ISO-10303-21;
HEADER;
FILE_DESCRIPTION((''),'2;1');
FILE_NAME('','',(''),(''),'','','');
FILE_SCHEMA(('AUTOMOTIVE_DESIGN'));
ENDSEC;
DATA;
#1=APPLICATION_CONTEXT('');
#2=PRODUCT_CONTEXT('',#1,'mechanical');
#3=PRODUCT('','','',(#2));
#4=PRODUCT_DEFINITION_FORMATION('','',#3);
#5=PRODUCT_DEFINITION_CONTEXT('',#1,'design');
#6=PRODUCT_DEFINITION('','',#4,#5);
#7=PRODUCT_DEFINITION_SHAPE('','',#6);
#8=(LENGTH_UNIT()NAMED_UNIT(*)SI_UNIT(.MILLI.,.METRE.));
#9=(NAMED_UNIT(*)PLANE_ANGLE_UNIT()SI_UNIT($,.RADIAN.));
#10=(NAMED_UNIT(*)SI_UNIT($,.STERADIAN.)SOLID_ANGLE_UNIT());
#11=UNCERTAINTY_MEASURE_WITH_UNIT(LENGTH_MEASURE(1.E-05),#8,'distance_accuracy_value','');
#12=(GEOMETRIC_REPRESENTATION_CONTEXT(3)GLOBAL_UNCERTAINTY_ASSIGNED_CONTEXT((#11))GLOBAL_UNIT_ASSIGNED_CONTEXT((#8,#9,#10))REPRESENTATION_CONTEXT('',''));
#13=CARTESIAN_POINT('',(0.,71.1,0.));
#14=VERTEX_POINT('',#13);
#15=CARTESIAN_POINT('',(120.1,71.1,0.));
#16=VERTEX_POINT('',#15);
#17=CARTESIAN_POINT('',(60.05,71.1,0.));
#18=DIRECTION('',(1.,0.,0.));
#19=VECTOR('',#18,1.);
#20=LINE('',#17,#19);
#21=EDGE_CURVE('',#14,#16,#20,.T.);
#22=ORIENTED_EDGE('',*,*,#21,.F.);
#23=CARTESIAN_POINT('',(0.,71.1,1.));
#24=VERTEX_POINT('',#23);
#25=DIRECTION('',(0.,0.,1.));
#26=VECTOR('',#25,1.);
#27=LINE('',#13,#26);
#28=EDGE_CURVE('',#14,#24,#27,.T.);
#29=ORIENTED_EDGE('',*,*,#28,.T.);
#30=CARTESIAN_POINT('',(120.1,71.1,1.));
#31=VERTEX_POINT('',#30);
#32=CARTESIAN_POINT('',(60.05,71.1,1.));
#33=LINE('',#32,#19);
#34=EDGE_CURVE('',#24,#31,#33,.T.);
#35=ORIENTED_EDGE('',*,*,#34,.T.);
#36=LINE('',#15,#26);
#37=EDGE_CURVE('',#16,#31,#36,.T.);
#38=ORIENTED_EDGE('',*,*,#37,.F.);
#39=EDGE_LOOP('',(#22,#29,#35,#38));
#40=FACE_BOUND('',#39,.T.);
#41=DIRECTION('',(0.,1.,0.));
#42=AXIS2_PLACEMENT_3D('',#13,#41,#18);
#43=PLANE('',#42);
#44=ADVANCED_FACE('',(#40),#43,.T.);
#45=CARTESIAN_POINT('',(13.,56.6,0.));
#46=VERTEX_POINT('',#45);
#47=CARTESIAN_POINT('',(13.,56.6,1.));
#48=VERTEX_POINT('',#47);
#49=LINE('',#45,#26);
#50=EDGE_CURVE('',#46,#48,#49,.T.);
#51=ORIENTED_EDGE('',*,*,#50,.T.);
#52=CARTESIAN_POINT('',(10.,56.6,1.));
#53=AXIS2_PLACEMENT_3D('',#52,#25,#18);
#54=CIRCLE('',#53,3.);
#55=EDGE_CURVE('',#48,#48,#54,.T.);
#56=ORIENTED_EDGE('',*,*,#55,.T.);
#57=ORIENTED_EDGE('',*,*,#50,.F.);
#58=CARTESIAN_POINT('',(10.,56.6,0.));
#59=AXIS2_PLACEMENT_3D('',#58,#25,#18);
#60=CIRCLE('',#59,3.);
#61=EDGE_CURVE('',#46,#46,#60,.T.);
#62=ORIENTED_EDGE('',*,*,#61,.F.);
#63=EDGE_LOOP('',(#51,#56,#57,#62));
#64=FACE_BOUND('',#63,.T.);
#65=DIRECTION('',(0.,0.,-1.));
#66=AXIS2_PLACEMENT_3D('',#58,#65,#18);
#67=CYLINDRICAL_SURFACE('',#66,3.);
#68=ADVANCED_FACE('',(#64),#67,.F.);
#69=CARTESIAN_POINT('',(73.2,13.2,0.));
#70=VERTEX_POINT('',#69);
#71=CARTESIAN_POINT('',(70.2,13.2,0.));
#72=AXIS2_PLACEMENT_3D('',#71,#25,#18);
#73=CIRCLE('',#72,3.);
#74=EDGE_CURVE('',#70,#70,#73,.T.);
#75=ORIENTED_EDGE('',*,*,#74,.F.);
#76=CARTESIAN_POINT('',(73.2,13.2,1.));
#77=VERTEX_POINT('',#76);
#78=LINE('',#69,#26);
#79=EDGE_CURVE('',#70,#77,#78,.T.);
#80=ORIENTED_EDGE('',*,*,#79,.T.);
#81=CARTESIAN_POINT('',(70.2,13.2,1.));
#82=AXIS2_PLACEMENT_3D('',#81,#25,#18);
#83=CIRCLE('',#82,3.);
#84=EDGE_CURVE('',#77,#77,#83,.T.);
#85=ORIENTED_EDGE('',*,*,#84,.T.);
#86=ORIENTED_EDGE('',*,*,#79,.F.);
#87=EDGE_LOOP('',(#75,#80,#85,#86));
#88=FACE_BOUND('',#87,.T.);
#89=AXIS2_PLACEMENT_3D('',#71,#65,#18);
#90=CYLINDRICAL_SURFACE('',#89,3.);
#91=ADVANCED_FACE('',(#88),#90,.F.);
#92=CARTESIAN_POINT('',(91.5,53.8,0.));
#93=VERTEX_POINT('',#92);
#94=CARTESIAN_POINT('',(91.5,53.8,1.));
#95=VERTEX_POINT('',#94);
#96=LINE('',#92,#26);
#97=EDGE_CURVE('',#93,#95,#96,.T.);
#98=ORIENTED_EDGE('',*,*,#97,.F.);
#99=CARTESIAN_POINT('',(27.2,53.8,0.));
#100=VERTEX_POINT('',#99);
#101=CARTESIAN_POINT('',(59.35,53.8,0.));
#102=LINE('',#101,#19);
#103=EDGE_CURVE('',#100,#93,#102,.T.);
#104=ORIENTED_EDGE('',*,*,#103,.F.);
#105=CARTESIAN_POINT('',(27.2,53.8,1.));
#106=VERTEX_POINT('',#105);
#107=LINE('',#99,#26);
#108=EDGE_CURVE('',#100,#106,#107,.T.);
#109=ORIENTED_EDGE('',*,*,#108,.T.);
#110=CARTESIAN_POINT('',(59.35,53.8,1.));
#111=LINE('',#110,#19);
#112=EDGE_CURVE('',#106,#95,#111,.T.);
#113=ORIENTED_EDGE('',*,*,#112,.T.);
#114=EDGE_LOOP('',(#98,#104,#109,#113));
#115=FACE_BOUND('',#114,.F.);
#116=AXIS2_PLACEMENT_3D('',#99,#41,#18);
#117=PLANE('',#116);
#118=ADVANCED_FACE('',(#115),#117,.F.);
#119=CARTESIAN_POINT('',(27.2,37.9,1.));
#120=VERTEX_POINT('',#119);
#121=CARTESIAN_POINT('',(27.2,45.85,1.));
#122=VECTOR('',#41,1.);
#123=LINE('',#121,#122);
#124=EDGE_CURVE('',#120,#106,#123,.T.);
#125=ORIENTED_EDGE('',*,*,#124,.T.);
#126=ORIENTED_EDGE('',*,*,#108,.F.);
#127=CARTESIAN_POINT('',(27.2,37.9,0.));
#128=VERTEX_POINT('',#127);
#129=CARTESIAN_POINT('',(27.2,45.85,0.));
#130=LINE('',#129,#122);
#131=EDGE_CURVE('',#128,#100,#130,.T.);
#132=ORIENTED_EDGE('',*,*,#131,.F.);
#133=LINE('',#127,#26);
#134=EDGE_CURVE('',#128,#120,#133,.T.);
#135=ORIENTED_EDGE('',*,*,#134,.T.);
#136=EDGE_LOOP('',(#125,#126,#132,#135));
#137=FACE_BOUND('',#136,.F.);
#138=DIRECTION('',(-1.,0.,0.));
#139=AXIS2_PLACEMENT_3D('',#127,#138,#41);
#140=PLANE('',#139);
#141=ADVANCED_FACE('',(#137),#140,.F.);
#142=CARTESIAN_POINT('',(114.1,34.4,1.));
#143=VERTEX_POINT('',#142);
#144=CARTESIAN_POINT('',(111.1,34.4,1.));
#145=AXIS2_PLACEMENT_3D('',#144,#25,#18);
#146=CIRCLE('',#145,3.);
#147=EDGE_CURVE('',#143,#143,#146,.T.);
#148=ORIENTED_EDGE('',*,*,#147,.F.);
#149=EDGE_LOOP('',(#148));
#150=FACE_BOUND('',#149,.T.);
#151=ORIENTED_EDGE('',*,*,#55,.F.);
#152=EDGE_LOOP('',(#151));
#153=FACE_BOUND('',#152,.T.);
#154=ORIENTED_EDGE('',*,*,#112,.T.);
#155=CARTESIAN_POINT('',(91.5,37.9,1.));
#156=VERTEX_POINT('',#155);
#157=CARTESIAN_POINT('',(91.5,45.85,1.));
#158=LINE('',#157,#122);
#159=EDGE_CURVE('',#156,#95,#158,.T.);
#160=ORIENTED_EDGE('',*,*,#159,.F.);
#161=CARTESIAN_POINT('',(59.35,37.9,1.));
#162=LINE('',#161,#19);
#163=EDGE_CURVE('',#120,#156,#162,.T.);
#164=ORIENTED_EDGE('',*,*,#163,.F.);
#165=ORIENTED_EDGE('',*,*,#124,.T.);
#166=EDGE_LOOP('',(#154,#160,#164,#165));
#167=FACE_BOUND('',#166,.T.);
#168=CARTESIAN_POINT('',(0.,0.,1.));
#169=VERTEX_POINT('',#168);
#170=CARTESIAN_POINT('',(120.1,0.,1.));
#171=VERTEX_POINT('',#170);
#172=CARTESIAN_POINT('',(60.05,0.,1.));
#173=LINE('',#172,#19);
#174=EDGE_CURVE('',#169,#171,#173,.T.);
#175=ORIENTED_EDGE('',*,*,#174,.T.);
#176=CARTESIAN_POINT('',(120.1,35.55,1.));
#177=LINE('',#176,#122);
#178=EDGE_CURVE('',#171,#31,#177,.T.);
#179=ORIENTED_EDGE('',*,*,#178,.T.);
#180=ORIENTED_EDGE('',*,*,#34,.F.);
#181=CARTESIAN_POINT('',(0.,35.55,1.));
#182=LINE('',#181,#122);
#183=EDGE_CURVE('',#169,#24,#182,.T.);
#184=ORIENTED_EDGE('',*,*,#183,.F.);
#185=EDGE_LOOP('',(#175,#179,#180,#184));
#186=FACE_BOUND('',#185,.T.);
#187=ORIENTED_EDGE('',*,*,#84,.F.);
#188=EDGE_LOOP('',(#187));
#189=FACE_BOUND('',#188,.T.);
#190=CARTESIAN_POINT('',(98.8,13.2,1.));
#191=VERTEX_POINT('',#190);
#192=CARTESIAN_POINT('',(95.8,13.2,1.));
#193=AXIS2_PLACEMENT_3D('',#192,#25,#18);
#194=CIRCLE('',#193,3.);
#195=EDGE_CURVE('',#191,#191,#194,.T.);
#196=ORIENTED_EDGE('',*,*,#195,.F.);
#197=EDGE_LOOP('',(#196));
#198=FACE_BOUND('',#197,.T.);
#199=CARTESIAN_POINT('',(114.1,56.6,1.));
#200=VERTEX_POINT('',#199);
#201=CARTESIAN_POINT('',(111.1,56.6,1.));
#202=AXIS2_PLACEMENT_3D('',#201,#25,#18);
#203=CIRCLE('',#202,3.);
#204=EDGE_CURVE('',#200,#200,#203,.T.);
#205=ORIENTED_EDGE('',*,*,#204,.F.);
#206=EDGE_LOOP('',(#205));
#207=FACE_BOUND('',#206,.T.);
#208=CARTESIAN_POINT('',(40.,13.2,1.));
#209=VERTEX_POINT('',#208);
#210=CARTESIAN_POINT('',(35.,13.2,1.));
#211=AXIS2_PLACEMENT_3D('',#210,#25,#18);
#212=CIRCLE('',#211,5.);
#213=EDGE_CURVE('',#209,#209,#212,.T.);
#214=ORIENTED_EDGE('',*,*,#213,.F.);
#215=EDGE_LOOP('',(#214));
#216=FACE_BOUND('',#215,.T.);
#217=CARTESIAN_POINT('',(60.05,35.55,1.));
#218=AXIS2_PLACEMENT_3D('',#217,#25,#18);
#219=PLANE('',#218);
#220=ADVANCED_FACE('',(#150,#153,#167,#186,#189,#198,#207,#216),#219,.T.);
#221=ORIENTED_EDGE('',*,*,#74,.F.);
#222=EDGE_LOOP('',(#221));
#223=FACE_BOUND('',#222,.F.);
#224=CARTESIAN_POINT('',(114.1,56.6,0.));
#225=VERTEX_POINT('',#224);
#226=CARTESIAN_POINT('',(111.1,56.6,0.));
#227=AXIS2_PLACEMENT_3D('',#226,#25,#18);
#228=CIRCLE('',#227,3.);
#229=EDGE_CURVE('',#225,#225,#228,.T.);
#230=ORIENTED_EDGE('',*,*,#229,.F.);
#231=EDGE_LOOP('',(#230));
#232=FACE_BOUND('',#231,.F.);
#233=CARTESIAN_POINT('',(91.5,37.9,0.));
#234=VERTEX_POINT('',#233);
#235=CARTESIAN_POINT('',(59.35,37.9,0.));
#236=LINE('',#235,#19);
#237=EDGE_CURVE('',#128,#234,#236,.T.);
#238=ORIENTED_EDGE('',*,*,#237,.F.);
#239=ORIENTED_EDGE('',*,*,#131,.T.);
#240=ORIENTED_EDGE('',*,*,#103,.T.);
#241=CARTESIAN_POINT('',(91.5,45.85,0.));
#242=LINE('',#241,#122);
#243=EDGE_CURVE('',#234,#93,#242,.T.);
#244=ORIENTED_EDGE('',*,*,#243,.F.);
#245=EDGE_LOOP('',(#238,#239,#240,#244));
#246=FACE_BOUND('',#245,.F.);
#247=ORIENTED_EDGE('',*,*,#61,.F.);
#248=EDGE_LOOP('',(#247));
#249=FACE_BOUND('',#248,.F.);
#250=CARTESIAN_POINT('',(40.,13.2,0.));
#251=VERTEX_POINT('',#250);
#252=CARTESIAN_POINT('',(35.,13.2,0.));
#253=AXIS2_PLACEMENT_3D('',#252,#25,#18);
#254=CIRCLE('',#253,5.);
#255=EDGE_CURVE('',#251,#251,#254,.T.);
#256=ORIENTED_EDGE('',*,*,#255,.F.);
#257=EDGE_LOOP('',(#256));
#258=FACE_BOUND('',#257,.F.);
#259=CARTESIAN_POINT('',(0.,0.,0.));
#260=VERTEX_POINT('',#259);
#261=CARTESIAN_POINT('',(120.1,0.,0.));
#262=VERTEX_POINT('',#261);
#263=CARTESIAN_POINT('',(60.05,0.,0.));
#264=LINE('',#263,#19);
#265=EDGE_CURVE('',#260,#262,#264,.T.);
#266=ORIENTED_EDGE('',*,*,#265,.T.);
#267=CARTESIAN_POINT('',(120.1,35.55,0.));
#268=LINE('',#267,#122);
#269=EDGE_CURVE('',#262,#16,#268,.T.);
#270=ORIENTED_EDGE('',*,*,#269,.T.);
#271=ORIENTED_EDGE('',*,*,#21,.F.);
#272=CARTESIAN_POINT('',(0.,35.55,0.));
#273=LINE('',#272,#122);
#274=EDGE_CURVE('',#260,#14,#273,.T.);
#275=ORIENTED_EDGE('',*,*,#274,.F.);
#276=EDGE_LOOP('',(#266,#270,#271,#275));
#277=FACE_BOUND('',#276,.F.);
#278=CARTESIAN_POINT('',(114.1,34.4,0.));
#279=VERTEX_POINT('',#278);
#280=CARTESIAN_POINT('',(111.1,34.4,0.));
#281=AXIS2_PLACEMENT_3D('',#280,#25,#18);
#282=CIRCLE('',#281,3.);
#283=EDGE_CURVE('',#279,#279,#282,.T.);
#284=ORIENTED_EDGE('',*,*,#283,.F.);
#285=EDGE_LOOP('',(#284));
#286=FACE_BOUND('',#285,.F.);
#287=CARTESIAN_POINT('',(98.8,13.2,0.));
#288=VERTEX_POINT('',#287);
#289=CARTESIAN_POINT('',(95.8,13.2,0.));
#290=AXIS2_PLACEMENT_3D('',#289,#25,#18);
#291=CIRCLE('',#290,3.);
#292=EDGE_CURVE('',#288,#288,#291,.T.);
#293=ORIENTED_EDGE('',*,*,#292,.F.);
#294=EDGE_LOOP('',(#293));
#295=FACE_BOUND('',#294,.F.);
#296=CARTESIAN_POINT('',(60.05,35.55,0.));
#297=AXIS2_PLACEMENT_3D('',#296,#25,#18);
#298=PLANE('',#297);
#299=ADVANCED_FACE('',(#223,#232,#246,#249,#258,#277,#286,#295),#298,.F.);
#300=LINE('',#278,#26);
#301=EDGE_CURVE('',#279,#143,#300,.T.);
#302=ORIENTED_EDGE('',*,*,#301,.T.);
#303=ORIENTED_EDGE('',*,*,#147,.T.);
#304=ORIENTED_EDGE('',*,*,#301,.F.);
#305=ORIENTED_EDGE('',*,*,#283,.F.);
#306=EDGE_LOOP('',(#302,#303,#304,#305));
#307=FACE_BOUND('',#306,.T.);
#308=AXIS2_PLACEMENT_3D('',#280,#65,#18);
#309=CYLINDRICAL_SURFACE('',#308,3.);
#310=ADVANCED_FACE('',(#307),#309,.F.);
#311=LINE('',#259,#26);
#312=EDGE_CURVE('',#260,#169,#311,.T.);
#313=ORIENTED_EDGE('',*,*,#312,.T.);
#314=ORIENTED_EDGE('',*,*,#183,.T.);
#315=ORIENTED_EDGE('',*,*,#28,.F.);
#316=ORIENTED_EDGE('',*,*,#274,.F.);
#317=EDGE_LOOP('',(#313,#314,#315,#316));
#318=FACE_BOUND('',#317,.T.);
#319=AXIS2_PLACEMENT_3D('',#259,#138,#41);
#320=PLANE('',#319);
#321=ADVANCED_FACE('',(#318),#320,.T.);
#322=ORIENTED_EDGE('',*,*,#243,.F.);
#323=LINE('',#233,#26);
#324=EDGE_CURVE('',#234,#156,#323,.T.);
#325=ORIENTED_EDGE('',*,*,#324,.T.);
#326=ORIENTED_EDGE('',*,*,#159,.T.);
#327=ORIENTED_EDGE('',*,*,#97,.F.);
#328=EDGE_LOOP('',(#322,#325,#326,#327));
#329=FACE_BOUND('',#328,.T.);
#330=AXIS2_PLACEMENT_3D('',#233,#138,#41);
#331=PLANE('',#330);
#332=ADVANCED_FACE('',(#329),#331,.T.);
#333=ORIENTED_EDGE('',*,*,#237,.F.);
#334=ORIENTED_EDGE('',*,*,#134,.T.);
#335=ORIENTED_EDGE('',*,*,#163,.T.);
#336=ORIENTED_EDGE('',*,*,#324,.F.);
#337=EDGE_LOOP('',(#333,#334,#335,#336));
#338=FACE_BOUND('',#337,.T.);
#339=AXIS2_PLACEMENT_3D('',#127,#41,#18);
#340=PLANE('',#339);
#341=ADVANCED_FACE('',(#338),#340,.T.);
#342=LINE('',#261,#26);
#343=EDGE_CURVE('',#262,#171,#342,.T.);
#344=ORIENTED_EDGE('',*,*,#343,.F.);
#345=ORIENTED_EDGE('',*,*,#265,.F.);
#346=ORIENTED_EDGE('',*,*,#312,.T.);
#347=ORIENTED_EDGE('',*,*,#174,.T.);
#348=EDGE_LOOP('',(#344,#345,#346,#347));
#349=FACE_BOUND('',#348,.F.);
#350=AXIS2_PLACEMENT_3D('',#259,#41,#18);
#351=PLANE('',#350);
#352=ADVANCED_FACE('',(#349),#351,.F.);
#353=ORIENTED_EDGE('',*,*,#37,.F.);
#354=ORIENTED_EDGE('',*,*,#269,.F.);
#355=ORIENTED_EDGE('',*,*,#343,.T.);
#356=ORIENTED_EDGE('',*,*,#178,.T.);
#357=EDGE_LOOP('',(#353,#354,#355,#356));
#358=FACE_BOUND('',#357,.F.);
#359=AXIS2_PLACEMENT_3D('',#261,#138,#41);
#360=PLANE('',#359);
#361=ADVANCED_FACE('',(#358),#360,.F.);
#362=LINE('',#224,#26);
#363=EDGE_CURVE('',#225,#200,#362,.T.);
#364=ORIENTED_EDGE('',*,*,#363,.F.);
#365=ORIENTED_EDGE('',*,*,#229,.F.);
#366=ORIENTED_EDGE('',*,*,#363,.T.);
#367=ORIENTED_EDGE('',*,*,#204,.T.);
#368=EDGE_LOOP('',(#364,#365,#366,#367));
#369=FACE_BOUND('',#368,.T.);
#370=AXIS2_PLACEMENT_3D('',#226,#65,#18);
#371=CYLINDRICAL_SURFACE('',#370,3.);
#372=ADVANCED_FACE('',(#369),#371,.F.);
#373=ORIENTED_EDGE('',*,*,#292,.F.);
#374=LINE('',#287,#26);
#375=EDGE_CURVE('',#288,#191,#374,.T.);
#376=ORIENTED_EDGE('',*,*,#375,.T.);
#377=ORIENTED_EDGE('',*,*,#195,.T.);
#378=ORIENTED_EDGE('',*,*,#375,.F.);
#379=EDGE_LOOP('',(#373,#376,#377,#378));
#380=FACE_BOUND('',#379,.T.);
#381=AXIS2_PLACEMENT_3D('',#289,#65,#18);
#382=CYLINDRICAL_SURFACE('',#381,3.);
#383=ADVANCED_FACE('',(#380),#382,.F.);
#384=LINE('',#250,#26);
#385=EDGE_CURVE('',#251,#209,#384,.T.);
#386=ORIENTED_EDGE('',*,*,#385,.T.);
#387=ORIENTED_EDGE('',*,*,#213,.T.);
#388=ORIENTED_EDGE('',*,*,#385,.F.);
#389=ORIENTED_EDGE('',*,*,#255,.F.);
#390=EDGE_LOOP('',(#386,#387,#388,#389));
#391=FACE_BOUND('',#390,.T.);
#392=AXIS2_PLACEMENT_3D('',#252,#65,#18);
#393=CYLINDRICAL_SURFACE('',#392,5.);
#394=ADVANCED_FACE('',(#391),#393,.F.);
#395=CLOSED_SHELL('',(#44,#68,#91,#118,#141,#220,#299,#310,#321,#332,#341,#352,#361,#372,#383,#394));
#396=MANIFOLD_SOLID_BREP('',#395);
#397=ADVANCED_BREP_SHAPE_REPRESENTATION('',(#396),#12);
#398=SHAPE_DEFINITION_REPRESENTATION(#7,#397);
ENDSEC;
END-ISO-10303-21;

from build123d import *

# Parameters (mm, degrees)
F0_W     = 120.1
F0_H     = 71.1
F0_R     = 5
F0_R_2   = 3
F0_W_2   = 64.3
F0_H_2   = 15.9
F1_DEPTH = 1


with BuildPart() as f1:
    # F0 (on Top) → F1 (new body)
    with BuildSketch(Plane.XY):
        with Locations((60.05, 35.55)):
            Rectangle(F0_W, F0_H)
        with Locations((35, 13.2)):
            Circle(F0_R, mode=Mode.SUBTRACT)
        with Locations((70.2, 13.2)):
            Circle(F0_R_2, mode=Mode.SUBTRACT)
        with Locations((95.8, 13.2)):
            Circle(F0_R_2, mode=Mode.SUBTRACT)
        with Locations((111.1, 34.4)):
            Circle(F0_R_2, mode=Mode.SUBTRACT)
        with Locations((59.35, 45.85)):
            Rectangle(F0_W_2, F0_H_2, mode=Mode.SUBTRACT)
        with Locations((10, 56.6)):
            Circle(F0_R_2, mode=Mode.SUBTRACT)
        with Locations((111.1, 56.6)):
            Circle(F0_R_2, mode=Mode.SUBTRACT)
    extrude(amount=F1_DEPTH)


solid = f1.part
